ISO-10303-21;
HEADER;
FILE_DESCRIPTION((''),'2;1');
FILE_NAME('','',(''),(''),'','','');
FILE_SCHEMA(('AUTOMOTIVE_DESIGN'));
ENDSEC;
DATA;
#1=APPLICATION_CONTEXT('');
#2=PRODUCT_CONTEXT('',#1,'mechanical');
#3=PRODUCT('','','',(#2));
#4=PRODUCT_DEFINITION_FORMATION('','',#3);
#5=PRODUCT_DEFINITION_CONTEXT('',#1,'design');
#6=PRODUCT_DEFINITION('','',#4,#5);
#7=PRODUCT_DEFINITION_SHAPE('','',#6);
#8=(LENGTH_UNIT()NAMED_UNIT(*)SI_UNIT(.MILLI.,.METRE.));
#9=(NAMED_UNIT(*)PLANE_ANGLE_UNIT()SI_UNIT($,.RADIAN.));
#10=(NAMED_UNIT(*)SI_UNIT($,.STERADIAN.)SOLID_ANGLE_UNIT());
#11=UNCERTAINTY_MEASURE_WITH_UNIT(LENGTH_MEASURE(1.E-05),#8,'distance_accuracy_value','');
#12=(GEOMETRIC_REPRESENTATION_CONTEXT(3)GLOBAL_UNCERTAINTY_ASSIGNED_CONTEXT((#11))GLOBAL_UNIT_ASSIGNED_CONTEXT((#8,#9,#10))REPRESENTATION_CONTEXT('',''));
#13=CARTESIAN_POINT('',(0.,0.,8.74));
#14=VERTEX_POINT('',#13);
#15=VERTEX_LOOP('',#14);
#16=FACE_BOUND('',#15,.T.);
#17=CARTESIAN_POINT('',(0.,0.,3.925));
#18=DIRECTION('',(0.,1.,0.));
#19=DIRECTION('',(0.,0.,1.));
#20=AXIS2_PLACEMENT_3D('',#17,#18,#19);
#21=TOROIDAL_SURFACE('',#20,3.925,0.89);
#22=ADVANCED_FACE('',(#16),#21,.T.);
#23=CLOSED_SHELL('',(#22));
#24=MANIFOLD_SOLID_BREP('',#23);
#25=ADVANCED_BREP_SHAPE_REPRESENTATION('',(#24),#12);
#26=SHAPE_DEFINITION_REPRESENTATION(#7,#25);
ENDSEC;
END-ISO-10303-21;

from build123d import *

# Parameters (mm, degrees)
CROQUIS1_R = 0.89


with BuildPart() as part:
    # Croquis1 → Revolución1 (revolve)
    with BuildSketch(Plane(origin=(0, 0, 0), x_dir=(0, 0, -1), z_dir=(1, 0, 0))):
        Circle(CROQUIS1_R)
    revolve(axis=Axis((0, 6.812578265, 3.925), (0, -1, 0)))


solid = part.part
